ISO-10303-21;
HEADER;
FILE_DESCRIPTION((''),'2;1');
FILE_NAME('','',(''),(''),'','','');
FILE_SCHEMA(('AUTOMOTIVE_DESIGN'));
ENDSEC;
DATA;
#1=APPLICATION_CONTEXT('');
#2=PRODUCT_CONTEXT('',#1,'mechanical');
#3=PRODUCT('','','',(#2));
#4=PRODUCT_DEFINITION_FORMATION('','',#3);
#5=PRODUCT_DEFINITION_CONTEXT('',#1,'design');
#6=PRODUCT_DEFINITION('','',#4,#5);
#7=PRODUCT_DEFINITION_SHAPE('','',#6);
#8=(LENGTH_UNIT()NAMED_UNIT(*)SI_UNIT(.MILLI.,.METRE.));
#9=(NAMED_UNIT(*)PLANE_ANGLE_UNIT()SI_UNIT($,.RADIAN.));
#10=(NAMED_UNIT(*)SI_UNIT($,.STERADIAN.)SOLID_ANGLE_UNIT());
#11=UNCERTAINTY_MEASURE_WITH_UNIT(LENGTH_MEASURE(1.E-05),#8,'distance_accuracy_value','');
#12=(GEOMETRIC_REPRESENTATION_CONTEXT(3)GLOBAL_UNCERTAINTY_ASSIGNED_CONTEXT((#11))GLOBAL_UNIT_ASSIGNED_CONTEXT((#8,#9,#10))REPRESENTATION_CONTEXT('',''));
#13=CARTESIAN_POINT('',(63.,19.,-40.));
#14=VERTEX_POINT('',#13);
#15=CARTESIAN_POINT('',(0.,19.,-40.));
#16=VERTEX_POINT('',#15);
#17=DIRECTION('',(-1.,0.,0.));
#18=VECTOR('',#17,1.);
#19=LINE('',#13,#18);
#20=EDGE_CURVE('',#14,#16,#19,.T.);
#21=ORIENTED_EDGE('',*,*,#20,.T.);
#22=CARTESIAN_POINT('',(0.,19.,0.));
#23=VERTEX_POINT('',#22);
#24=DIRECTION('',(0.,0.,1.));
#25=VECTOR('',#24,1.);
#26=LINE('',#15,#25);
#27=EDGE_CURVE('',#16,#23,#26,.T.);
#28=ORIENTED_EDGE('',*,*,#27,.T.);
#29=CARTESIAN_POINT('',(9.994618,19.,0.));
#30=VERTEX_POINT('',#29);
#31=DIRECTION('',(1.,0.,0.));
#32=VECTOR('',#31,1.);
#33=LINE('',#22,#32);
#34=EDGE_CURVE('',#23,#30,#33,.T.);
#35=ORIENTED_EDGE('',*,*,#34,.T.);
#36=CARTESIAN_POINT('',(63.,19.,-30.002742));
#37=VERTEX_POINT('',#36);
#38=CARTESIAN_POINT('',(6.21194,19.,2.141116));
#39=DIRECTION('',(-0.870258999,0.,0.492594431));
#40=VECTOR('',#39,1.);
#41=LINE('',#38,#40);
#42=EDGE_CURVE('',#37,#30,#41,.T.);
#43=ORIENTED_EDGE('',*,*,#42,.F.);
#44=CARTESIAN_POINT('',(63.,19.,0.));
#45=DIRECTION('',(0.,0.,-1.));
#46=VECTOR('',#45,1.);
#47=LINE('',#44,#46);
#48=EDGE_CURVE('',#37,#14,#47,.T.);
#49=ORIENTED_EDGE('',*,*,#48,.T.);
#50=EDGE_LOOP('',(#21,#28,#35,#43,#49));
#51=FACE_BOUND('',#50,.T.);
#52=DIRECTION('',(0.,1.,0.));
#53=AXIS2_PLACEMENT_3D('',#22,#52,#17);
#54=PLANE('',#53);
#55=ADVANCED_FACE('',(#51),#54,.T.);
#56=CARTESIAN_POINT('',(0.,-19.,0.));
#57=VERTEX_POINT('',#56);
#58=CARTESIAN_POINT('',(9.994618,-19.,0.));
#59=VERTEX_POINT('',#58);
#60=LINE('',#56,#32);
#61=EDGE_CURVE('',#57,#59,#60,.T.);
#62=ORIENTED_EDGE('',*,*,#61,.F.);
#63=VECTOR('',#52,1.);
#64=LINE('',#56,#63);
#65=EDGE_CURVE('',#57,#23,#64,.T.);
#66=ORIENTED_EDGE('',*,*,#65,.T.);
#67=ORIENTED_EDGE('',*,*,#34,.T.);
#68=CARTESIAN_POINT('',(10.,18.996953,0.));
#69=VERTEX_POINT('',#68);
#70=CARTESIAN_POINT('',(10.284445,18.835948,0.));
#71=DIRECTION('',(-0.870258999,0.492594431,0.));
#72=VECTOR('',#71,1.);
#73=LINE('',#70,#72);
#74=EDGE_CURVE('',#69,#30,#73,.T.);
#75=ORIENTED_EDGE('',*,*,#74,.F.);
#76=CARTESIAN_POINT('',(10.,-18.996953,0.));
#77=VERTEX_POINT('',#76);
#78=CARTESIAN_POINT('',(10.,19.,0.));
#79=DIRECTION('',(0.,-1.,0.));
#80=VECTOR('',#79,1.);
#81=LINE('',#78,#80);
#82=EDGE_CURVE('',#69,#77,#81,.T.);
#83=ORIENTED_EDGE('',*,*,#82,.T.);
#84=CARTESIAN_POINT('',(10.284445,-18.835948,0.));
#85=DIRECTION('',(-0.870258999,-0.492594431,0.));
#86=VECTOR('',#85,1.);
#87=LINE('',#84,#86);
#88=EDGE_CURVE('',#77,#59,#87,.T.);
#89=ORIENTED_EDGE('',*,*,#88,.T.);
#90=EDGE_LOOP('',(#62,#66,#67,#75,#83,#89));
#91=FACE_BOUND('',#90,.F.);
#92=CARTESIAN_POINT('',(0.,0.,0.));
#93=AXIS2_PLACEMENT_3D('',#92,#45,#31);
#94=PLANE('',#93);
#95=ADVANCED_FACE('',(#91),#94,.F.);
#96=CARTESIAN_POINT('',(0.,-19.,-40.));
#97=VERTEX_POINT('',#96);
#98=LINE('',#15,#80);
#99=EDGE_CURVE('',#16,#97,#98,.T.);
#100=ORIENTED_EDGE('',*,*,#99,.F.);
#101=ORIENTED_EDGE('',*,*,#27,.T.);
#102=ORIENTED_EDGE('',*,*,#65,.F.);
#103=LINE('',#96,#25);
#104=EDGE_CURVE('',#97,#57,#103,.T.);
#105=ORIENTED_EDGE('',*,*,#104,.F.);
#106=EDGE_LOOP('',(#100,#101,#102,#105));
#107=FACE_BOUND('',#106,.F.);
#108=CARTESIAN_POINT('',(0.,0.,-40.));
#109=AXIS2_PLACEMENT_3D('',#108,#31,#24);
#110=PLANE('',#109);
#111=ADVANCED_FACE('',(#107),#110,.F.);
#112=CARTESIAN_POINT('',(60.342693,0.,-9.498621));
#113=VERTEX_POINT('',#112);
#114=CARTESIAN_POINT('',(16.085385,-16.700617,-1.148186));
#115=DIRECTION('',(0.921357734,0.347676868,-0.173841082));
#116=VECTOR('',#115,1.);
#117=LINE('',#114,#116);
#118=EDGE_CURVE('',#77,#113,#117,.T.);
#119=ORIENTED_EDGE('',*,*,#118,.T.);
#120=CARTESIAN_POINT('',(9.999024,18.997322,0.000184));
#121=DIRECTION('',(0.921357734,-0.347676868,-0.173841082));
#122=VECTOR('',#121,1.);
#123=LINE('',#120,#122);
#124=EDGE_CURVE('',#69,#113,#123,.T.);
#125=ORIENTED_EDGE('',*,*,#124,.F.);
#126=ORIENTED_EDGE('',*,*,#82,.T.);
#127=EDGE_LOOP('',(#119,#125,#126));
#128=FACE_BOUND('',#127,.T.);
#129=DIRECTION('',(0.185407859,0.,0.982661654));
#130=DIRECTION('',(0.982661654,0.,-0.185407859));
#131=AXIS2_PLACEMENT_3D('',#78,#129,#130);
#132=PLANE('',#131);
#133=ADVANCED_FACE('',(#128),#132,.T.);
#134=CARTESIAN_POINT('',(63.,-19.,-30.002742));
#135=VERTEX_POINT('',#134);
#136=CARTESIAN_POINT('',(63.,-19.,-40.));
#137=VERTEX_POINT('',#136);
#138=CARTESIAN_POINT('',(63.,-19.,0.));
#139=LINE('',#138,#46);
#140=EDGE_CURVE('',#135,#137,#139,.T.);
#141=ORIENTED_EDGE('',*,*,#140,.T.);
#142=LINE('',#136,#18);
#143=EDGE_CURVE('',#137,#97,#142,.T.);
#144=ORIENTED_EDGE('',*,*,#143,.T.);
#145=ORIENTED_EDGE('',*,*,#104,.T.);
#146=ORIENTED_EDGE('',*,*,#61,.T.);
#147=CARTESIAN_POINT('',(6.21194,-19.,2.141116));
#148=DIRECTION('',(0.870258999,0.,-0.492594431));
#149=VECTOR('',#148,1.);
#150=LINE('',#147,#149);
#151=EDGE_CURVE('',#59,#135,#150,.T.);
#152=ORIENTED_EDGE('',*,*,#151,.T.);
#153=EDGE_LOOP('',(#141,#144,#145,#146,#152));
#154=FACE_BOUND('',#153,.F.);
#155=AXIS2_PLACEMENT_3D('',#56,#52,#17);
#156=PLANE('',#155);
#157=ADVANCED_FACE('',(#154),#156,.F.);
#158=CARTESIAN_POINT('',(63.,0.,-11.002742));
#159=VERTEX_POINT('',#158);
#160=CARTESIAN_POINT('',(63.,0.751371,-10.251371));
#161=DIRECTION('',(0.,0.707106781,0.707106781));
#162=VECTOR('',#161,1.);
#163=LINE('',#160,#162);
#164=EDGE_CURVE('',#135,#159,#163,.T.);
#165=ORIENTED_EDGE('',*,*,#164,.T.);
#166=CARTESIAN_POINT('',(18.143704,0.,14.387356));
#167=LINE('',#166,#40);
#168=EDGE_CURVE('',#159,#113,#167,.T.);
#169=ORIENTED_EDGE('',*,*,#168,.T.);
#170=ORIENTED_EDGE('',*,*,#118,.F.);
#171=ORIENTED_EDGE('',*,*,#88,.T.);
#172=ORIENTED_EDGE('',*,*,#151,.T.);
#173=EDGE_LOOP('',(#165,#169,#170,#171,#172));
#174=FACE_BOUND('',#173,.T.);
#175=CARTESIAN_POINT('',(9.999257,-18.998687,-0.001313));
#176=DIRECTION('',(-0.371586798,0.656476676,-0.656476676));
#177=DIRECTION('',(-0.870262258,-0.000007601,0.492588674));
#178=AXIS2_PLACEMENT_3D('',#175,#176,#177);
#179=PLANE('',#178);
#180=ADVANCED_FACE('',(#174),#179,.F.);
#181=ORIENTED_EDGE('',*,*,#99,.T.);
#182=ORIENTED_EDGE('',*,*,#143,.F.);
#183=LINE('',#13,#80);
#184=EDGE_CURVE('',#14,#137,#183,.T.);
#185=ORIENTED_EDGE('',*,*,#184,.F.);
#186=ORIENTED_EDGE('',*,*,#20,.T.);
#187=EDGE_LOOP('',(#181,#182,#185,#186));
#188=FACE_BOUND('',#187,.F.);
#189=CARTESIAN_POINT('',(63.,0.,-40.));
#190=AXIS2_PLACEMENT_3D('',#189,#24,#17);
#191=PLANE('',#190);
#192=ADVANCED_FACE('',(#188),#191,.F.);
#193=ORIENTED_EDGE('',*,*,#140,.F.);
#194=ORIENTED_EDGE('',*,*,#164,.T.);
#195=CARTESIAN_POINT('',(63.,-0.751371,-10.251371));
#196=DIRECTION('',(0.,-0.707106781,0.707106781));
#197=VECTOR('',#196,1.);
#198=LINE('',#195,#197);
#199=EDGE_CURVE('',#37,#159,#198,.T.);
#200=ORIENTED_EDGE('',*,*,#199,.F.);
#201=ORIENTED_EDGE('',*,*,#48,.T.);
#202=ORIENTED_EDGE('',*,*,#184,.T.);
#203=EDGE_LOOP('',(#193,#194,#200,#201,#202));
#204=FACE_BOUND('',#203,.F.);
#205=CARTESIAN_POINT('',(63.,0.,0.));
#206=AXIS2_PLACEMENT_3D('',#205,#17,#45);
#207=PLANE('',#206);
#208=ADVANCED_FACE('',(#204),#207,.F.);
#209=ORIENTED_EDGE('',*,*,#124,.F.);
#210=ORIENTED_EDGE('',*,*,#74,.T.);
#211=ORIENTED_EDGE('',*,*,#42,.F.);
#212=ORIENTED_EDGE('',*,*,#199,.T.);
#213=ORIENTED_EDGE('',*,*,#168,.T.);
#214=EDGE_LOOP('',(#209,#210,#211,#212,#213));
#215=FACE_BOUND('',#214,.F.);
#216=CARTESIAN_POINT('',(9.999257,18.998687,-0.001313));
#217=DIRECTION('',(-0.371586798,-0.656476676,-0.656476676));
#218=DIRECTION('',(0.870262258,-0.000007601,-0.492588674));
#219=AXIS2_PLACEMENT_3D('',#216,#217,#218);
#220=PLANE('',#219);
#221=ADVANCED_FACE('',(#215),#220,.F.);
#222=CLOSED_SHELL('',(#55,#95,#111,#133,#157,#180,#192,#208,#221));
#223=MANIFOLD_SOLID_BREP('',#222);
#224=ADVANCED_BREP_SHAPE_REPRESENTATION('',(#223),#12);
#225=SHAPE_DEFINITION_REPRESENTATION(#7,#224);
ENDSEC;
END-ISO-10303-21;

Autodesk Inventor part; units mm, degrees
ref_plane "YZ Plane" through (0, 0, 0) normal (1, 0, 0) x (0, 1, 0)
ref_plane "XZ Plane" through (0, 0, 0) normal (0, 1, 0) x (-1, 0, 0)
sketch "草圖1" plane through (0, 0, 0) normal (0, 1, 0) x (-1, 0, 0)
  line L0 (0, 0) -> (-63, 0)
  line L1 (-63, 0) -> (-63, -40)
  line L2 (-63, -40) -> (0, -40)
  line L3 (0, -40) -> (0, 0)
  dimension "d0" = 63
  dimension "d1" = 40
extrude "擠出1" add sketch "草圖1" along normal mid plane 38
sketch "草圖2" plane through (0, 19, 0) normal (0, 1, 0) x (1, 0, 0)
  line L0 (0, 0) -> (63, 0) projected
  line L1 (10, 0) -> (63, 10)
  line L2 (63, 0) -> (63, 40) projected
  dimension "d4" = 10
  dimension "d5" = 30
extrude "擠出2" cut sketch "草圖2" against normal blind 40
sketch "草圖3" plane through (63, -19, -40) normal (1, 0, 0) x (0, 0, -1)
  line L0 (-30, 18) -> (-10, 38)
  line L1 (0, 38) -> (-40, 38) projected
  line L2 (-30, 38) -> (-30, 0) projected
  point P0 (-40, 19)
  dimension "d8" = 20
  dimension "d9" = 20
ref_plane "工作平面1" through (10, 19, 0) normal (-0.3716, -0.6565, -0.6565) x (0.8703, 0, -0.4926)
sketch "草圖4" plane through (10, 19, 0) normal (-0.3716, -0.6565, -0.6565) x (0.8703, 0, -0.4926)
  line L0 (-15.1543, -12.3218) -> (93.717, -12.3218)
  line L1 (93.717, -12.3218) -> (93.717, 28.8166)
  line L2 (93.717, 28.8166) -> (-15.1543, 28.8166)
  line L3 (-15.1543, 28.8166) -> (-15.1543, -12.3218)
  point P0 (-8.7026, 11.0988)
extrude "擠出3" cut sketch "草圖4" against normal blind 40
mirror "鏡射1" about plane through (0, 0, 0) normal (0, 1, 0) of "擠出3"
properties part number "34"
